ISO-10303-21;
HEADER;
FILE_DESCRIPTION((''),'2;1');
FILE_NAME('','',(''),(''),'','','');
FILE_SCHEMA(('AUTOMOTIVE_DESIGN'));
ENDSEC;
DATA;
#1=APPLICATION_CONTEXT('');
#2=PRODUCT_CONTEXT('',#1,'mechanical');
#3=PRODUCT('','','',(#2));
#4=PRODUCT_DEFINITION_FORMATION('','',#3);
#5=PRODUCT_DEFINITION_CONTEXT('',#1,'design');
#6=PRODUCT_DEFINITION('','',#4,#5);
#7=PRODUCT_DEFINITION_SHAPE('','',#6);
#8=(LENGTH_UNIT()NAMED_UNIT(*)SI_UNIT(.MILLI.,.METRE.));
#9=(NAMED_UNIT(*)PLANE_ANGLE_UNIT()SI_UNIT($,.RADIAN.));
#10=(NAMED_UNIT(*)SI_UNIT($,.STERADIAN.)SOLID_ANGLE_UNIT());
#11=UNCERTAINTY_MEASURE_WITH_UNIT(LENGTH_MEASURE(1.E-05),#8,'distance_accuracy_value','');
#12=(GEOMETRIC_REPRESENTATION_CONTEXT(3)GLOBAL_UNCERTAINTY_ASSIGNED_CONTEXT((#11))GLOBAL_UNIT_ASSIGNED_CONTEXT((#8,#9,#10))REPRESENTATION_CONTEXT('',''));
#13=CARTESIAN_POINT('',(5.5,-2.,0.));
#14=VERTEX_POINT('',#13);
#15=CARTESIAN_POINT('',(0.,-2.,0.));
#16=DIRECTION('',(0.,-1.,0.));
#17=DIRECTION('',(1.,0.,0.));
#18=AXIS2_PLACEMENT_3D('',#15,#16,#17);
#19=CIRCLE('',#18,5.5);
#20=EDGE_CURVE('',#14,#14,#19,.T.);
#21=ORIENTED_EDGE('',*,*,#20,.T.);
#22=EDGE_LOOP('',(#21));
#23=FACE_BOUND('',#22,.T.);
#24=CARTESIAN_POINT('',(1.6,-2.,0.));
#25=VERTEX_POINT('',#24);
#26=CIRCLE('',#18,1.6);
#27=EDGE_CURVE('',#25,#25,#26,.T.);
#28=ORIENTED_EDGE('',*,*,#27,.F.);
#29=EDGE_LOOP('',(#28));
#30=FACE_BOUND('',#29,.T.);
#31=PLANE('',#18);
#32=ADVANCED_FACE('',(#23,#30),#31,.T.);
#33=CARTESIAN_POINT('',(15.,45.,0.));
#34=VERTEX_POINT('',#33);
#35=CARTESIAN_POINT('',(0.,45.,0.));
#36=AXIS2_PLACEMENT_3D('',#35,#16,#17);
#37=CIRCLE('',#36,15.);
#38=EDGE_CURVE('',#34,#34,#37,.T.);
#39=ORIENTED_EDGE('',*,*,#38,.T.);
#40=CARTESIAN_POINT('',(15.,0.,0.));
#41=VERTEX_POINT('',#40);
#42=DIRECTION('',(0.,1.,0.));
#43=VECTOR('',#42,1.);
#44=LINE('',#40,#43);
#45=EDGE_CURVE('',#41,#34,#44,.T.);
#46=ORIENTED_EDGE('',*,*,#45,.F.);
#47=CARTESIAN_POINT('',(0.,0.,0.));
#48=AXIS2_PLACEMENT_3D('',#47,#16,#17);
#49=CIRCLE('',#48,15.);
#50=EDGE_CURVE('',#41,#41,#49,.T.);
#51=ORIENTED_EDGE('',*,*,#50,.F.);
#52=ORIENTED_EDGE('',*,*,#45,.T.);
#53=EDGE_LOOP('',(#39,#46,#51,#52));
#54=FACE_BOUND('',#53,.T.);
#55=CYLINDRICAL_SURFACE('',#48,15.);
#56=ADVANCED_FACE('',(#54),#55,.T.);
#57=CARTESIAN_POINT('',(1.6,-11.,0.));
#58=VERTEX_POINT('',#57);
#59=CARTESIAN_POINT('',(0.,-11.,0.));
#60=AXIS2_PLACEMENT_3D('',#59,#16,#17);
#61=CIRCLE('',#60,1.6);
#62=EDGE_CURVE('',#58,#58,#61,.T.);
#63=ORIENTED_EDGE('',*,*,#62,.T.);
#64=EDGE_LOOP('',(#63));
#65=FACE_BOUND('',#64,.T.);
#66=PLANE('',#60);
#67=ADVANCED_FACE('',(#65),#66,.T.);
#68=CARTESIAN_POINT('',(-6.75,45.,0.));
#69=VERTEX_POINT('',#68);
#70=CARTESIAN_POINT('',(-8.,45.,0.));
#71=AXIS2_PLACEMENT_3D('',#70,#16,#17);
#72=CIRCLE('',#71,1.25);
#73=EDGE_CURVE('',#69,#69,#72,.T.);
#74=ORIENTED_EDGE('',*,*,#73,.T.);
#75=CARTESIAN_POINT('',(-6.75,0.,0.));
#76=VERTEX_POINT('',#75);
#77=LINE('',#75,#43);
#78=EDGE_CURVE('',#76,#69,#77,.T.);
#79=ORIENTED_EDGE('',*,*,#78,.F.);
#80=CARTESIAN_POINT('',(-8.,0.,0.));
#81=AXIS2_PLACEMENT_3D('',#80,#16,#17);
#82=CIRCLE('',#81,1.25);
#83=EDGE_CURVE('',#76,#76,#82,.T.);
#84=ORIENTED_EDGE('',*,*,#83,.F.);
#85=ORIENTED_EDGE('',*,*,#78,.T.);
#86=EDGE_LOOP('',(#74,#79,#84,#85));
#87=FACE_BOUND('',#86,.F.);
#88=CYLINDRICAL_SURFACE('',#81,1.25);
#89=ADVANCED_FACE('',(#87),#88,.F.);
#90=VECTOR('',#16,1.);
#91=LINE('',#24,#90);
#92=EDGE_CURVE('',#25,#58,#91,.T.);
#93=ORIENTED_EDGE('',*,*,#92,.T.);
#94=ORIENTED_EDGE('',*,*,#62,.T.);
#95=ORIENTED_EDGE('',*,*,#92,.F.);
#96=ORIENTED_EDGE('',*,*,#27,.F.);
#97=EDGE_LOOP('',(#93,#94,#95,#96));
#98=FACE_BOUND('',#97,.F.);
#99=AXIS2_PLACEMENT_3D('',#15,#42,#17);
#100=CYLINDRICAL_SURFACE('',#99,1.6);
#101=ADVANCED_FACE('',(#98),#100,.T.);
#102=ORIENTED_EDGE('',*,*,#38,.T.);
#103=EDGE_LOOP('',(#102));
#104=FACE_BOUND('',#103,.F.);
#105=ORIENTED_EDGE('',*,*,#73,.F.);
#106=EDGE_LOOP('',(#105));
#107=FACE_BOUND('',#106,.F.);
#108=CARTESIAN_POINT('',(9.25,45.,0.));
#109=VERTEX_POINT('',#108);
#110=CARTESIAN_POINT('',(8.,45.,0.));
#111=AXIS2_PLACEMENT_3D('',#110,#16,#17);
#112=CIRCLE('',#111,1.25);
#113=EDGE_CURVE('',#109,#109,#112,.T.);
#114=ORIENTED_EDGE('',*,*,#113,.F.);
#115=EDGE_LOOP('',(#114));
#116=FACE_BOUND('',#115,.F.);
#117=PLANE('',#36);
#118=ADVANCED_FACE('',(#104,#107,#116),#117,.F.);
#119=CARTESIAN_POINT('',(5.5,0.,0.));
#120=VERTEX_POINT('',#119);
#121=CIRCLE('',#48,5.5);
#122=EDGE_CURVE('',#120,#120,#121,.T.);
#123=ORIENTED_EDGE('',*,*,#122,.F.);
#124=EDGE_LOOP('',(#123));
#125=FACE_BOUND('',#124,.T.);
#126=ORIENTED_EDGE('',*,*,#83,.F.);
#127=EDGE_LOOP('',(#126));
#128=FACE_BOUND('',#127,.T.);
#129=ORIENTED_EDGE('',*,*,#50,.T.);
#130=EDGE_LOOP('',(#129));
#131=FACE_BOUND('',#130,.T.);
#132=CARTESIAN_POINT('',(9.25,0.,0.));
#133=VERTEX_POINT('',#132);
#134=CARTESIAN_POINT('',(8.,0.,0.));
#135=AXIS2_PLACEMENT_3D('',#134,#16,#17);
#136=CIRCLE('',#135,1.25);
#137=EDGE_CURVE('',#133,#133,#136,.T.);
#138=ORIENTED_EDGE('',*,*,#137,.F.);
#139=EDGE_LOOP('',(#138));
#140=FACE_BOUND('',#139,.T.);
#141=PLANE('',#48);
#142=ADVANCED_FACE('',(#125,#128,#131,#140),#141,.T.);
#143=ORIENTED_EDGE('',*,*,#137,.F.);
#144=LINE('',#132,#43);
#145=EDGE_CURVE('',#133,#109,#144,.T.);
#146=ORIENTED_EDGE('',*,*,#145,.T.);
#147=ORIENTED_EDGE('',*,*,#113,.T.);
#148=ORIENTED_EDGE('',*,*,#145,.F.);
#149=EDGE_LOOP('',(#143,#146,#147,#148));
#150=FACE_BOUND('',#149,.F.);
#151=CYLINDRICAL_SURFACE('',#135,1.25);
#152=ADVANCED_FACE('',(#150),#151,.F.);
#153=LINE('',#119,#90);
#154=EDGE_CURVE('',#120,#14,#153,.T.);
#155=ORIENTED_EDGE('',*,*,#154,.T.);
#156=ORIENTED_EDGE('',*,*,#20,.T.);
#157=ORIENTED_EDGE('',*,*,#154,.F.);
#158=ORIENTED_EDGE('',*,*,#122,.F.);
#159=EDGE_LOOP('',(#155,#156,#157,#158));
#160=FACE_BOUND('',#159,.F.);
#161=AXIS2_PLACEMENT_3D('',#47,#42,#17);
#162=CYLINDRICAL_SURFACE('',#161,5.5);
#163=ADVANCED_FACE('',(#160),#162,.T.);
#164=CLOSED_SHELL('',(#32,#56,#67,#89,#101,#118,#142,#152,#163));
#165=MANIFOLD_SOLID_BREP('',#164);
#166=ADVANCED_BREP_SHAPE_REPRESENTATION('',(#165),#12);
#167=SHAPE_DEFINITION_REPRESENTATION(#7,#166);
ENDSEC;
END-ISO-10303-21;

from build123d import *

# Parameters (mm, degrees)
F0_R     = 15
F0_R_2   = 1.25
F0_R_3   = 5.5
F1_DEPTH = 45
F2_DEPTH = 2
F3_R     = 1.6
F4_DEPTH = 9


with BuildPart() as f1:
    # F0 (on Front) → F1 (new body)
    with BuildSketch(Plane.XZ):
        Circle(F0_R)
        with Locations((-8, 0)):
            Circle(F0_R_2, mode=Mode.SUBTRACT)
        Circle(F0_R_3, mode=Mode.SUBTRACT)
        with Locations((8, 0)):
            Circle(F0_R_2, mode=Mode.SUBTRACT)
        Circle(F0_R_3)
    extrude(amount=-F1_DEPTH)

    # F0 (on Front) → F2 (join)
    with BuildSketch(Plane.XZ):
        Circle(F0_R_3)
    extrude(amount=F2_DEPTH)

    # F3 (on face) → F4 (join)
    with BuildSketch(Plane.XZ.offset(2)):
        Circle(F3_R)
    extrude(amount=F4_DEPTH)


solid = f1.part
